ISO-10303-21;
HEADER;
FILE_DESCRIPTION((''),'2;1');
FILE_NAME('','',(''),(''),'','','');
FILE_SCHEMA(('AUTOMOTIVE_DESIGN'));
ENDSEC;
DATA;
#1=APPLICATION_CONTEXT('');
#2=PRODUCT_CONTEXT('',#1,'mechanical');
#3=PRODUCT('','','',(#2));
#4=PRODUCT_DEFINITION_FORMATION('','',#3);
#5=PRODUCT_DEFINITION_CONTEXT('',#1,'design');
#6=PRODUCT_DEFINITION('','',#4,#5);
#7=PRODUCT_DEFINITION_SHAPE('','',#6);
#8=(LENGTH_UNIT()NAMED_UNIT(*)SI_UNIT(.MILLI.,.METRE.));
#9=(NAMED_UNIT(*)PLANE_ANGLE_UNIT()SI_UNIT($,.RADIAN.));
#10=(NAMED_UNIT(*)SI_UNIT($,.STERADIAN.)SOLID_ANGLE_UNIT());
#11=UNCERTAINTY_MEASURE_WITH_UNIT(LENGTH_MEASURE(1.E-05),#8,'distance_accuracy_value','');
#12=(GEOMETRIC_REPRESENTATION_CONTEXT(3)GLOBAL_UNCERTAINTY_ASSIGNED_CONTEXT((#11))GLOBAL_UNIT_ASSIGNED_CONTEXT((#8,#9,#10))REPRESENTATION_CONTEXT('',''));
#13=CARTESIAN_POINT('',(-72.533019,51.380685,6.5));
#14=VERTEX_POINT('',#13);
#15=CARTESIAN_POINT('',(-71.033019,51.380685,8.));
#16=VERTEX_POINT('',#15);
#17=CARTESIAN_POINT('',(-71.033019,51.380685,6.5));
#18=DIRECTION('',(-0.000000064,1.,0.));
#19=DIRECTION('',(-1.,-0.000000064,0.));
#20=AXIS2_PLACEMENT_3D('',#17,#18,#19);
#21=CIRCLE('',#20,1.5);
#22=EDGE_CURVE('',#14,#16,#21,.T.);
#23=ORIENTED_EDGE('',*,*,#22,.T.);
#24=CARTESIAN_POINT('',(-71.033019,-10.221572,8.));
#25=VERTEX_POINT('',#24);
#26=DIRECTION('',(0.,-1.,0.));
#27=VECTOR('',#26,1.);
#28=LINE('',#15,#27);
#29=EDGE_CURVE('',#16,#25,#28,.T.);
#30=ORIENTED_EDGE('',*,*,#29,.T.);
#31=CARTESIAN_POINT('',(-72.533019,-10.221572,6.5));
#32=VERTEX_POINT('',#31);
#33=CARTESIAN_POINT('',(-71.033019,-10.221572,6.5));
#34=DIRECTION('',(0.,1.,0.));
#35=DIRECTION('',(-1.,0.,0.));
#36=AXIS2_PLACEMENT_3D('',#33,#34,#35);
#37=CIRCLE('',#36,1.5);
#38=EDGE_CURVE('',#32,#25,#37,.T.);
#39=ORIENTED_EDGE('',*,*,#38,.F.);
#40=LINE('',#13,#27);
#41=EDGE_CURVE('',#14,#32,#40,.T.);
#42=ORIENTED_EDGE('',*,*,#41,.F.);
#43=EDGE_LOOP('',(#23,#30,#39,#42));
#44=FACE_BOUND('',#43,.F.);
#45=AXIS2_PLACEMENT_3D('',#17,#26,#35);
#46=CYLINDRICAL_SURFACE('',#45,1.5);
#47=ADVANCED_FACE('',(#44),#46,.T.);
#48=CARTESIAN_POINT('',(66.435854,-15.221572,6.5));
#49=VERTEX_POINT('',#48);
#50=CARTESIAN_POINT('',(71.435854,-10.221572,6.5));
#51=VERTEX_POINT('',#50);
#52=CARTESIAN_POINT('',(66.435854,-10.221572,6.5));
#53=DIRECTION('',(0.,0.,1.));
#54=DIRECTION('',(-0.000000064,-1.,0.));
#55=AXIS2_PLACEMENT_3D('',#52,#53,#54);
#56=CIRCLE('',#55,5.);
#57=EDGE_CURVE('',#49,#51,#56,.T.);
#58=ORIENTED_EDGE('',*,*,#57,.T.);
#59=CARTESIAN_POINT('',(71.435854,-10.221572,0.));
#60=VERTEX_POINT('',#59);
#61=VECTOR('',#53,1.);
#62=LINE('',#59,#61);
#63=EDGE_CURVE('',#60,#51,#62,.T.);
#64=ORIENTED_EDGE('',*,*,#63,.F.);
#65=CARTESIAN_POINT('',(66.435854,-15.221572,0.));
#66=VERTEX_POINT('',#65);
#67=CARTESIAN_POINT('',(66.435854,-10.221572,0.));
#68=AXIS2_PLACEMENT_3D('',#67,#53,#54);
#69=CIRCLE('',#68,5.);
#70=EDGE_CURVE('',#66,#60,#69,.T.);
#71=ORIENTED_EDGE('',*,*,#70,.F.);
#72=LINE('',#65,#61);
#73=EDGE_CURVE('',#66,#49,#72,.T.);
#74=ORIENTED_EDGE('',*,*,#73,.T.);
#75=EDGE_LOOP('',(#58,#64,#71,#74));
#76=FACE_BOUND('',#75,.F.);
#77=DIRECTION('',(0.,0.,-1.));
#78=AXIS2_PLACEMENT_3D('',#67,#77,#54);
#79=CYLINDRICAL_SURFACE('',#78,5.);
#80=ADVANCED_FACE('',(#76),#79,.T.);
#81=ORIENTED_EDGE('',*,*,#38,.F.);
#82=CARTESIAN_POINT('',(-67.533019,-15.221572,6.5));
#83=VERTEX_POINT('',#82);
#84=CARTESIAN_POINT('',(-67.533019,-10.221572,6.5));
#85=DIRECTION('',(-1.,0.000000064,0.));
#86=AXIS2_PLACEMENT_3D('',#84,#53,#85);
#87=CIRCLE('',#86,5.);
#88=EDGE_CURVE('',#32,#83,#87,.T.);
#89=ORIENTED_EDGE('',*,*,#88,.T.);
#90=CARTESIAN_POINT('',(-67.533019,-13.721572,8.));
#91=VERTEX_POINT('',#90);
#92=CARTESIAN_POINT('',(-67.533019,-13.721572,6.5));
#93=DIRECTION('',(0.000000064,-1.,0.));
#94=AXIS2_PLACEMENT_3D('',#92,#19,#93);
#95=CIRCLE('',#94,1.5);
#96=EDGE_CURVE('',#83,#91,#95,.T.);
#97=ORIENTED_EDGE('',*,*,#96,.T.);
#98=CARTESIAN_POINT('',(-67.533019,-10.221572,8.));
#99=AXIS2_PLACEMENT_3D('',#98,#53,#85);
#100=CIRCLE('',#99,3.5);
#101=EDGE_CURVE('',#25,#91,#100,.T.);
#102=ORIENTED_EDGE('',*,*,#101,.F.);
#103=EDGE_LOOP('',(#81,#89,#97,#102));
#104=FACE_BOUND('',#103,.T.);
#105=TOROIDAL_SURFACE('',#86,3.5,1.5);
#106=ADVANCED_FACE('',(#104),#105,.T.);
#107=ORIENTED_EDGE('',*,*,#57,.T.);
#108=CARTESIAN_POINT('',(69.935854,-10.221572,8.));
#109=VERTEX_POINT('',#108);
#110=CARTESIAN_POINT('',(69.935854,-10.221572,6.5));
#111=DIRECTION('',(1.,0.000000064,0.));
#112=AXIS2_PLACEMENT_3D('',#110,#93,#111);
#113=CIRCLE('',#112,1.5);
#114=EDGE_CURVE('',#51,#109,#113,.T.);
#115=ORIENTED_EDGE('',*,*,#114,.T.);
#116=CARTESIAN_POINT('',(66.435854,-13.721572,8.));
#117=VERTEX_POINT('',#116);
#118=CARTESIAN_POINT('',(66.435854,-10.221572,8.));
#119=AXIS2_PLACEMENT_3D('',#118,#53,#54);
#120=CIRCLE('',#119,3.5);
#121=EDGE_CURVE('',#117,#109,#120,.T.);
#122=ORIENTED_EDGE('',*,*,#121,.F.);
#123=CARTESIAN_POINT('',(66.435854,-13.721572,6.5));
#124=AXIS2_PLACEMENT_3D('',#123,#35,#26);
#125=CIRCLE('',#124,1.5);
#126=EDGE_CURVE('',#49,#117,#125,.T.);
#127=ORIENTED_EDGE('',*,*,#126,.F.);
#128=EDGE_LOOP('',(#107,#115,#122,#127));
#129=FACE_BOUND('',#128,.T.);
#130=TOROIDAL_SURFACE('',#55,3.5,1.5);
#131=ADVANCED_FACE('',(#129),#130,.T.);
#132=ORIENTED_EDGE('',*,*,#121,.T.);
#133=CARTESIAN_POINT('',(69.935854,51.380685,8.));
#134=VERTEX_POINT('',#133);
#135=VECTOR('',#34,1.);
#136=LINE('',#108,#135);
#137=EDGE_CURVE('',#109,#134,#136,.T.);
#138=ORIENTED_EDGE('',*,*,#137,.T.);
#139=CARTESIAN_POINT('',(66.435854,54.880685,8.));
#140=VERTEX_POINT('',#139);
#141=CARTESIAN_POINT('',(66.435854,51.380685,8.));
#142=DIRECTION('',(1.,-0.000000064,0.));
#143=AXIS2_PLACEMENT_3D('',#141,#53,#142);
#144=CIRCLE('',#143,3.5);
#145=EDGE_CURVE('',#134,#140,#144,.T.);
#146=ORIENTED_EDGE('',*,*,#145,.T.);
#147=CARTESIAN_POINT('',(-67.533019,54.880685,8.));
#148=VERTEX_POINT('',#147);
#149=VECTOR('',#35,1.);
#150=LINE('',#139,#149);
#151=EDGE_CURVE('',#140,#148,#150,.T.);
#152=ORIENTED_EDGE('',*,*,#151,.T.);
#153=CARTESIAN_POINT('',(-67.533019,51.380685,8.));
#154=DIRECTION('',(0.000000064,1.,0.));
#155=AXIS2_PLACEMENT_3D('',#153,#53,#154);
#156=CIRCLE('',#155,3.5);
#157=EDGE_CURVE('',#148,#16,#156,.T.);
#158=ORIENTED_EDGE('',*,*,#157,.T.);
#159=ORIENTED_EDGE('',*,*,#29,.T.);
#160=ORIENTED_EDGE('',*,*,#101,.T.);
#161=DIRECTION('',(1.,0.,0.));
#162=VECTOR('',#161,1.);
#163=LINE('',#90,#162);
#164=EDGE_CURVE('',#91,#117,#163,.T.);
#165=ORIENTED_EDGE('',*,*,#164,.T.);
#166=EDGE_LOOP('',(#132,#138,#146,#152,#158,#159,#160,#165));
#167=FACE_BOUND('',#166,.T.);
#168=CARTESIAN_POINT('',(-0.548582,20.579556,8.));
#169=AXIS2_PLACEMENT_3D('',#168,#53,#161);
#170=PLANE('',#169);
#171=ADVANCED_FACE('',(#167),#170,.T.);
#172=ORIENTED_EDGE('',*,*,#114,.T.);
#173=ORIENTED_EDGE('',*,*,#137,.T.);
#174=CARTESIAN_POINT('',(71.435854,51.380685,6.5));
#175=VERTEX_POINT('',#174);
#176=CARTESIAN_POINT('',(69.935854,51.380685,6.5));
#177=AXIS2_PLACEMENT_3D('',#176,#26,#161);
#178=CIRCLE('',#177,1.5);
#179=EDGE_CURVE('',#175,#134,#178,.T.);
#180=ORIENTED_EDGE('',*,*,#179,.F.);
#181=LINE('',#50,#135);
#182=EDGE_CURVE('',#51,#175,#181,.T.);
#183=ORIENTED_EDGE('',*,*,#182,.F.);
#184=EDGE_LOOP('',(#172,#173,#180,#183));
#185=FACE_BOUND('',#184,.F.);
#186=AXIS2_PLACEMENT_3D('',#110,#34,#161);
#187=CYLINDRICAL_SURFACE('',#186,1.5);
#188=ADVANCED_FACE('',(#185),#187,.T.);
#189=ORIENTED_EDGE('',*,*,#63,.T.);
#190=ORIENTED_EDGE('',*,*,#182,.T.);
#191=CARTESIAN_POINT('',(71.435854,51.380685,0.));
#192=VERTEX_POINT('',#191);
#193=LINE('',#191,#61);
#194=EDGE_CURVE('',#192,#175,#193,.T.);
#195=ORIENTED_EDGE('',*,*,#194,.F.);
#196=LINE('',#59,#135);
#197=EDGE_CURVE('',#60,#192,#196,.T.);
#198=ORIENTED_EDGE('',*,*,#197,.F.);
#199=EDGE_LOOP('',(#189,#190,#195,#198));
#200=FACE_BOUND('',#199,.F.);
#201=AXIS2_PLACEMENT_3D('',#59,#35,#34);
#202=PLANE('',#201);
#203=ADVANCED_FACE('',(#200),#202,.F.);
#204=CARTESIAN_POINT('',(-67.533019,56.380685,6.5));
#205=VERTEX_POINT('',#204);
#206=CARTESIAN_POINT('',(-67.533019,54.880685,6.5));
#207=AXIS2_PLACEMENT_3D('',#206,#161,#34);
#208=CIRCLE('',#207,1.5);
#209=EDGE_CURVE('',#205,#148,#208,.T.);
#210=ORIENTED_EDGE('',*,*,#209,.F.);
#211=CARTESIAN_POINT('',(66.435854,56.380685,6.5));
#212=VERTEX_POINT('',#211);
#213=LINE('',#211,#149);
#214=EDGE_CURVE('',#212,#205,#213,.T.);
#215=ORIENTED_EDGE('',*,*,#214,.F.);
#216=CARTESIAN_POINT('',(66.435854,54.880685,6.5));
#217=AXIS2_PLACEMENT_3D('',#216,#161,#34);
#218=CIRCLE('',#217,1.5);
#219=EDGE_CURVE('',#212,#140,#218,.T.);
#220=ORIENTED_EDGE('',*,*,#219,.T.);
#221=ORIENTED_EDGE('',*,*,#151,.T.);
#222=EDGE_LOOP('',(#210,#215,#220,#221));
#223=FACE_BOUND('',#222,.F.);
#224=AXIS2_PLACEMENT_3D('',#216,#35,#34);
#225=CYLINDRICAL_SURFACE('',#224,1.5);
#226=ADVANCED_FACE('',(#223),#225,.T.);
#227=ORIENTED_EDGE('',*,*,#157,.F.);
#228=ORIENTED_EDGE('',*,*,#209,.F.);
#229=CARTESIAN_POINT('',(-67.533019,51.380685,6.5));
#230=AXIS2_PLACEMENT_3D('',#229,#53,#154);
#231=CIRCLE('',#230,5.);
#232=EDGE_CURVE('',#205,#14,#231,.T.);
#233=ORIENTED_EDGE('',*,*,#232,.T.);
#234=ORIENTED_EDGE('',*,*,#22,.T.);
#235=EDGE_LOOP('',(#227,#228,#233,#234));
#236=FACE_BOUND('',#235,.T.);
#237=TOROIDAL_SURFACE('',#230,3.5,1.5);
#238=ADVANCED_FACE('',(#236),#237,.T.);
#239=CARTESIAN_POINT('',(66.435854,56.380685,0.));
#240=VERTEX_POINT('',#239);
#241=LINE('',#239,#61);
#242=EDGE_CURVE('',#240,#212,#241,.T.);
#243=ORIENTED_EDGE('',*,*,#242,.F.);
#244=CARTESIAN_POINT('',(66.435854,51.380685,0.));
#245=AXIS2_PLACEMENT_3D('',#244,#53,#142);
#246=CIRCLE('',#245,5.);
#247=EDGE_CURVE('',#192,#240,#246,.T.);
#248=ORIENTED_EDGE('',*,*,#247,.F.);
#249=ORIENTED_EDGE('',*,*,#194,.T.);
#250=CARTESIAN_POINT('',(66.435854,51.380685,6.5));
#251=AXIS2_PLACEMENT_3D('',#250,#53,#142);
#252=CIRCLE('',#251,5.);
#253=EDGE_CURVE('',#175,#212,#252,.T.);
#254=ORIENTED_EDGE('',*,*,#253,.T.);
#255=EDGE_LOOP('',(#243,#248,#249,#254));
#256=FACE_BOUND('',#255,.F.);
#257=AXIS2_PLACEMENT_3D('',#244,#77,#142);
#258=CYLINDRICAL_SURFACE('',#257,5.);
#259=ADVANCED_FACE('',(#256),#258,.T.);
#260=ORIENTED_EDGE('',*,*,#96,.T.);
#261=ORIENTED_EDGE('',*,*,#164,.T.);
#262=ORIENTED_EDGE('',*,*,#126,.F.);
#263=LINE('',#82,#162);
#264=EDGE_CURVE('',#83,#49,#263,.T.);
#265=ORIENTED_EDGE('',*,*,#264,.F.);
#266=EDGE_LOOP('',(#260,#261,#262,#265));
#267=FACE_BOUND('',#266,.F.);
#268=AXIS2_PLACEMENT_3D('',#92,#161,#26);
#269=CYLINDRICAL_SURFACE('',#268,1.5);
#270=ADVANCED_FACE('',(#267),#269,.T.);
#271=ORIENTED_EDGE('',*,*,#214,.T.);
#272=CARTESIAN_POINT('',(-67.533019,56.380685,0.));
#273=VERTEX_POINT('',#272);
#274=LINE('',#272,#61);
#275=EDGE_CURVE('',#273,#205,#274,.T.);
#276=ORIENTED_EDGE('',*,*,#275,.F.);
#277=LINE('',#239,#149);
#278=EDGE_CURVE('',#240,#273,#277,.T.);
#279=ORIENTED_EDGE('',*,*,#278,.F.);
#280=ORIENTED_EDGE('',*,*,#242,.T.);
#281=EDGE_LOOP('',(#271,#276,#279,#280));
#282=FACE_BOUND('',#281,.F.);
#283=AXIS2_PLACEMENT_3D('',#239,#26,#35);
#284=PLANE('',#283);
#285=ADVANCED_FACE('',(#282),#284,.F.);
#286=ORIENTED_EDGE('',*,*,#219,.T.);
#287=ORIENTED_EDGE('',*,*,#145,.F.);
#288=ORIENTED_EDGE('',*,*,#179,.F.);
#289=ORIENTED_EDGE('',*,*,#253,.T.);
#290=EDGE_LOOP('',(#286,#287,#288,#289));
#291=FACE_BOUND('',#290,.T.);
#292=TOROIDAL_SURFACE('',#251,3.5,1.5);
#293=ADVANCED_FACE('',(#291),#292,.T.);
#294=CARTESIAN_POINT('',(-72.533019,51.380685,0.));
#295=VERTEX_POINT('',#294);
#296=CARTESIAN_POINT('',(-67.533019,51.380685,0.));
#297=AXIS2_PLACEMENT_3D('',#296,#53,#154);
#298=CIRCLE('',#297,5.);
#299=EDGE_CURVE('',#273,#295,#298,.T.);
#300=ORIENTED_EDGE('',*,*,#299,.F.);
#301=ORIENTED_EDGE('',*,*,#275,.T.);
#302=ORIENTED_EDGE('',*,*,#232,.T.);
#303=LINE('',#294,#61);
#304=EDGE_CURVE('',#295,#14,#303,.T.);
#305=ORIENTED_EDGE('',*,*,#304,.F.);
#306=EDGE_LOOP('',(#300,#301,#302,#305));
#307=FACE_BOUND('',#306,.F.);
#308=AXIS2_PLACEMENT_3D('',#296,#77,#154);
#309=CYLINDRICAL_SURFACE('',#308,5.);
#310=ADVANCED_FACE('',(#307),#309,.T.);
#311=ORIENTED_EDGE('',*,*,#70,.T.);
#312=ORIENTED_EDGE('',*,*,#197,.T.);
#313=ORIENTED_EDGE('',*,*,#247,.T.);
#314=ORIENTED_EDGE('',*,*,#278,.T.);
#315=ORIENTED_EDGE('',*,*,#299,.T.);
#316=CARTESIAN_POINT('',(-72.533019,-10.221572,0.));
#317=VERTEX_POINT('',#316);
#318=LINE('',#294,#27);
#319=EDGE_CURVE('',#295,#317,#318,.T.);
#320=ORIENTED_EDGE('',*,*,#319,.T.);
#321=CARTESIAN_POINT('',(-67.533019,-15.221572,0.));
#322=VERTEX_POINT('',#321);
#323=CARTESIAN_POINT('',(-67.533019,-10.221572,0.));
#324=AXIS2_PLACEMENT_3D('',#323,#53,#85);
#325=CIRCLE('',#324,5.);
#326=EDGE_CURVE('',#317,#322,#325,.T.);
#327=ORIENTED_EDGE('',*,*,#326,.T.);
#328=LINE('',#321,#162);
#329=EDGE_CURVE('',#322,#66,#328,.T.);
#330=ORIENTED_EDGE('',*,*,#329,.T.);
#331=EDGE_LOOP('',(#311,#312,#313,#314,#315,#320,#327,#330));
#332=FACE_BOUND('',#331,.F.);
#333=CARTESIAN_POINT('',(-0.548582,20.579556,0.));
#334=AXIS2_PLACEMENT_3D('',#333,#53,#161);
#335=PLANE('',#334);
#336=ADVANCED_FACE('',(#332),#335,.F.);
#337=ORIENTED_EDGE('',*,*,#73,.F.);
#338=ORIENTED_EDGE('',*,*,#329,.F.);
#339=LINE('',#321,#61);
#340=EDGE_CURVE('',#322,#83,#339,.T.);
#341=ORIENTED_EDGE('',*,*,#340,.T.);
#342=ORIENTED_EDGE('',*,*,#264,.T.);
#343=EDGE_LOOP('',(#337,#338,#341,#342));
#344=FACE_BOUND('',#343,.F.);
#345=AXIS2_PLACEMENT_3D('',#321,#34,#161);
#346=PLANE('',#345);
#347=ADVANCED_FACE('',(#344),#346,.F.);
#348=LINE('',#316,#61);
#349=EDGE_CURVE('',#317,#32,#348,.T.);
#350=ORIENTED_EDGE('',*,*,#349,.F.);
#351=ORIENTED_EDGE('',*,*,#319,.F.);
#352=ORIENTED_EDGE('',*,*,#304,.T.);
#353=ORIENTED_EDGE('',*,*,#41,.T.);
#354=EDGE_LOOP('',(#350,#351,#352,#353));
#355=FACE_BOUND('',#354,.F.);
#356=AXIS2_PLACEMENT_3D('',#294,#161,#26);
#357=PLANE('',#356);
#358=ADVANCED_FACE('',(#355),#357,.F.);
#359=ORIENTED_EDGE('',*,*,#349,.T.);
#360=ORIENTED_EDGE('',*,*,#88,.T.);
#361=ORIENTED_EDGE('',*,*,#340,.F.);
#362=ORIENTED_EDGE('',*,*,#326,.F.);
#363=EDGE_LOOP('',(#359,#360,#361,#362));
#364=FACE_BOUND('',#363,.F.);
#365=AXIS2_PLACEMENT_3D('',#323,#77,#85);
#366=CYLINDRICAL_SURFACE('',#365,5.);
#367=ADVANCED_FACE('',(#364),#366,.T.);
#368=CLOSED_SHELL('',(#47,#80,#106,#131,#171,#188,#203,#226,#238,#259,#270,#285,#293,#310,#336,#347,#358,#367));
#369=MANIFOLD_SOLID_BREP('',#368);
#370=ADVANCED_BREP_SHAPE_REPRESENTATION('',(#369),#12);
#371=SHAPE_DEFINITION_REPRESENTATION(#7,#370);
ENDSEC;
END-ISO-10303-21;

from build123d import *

# Parameters (mm, degrees)
F1_DEPTH = 8
F2_R     = 1.5


with BuildPart() as f1:
    # F0 (on Top) → F1 (new body)
    with BuildSketch(Plane.XY):
        with BuildLine():
            Line((66.435854, 56.380685), (-67.533019, 56.380685))
            ThreePointArc((-67.533019, 56.380685), (-71.068553, 54.916219), (-72.533019, 51.380685))
            Line((-72.533019, 51.380685), (-72.533019, -10.221572))
            ThreePointArc((-72.533019, -10.221572), (-71.068553, -13.757106), (-67.533019, -15.221572))
            Line((-67.533019, -15.221572), (66.435854, -15.221572))
            ThreePointArc((66.435854, -15.221572), (69.971388, -13.757106), (71.435854, -10.221572))
            Line((71.435854, -10.221572), (71.435854, 51.380685))
            ThreePointArc((71.435854, 51.380685), (69.971388, 54.916219), (66.435854, 56.380685))
        make_face()
    extrude(amount=F1_DEPTH)

    # F2
    f2_edges = [f1.edges().sort_by_distance(p)[0] for p in [
        (-0.548583, 56.380685, 8),
        (-71.068553, 54.916219, 8),
        (-72.533019, 20.579556, 8),
        (-71.068553, -13.757106, 8),
        (-0.548583, -15.221572, 8),
        (69.971388, -13.757106, 8),
        (71.435854, 20.579556, 8),
        (69.971388, 54.916219, 8),
    ]]
    fillet(f2_edges, radius=F2_R)


solid = f1.part
